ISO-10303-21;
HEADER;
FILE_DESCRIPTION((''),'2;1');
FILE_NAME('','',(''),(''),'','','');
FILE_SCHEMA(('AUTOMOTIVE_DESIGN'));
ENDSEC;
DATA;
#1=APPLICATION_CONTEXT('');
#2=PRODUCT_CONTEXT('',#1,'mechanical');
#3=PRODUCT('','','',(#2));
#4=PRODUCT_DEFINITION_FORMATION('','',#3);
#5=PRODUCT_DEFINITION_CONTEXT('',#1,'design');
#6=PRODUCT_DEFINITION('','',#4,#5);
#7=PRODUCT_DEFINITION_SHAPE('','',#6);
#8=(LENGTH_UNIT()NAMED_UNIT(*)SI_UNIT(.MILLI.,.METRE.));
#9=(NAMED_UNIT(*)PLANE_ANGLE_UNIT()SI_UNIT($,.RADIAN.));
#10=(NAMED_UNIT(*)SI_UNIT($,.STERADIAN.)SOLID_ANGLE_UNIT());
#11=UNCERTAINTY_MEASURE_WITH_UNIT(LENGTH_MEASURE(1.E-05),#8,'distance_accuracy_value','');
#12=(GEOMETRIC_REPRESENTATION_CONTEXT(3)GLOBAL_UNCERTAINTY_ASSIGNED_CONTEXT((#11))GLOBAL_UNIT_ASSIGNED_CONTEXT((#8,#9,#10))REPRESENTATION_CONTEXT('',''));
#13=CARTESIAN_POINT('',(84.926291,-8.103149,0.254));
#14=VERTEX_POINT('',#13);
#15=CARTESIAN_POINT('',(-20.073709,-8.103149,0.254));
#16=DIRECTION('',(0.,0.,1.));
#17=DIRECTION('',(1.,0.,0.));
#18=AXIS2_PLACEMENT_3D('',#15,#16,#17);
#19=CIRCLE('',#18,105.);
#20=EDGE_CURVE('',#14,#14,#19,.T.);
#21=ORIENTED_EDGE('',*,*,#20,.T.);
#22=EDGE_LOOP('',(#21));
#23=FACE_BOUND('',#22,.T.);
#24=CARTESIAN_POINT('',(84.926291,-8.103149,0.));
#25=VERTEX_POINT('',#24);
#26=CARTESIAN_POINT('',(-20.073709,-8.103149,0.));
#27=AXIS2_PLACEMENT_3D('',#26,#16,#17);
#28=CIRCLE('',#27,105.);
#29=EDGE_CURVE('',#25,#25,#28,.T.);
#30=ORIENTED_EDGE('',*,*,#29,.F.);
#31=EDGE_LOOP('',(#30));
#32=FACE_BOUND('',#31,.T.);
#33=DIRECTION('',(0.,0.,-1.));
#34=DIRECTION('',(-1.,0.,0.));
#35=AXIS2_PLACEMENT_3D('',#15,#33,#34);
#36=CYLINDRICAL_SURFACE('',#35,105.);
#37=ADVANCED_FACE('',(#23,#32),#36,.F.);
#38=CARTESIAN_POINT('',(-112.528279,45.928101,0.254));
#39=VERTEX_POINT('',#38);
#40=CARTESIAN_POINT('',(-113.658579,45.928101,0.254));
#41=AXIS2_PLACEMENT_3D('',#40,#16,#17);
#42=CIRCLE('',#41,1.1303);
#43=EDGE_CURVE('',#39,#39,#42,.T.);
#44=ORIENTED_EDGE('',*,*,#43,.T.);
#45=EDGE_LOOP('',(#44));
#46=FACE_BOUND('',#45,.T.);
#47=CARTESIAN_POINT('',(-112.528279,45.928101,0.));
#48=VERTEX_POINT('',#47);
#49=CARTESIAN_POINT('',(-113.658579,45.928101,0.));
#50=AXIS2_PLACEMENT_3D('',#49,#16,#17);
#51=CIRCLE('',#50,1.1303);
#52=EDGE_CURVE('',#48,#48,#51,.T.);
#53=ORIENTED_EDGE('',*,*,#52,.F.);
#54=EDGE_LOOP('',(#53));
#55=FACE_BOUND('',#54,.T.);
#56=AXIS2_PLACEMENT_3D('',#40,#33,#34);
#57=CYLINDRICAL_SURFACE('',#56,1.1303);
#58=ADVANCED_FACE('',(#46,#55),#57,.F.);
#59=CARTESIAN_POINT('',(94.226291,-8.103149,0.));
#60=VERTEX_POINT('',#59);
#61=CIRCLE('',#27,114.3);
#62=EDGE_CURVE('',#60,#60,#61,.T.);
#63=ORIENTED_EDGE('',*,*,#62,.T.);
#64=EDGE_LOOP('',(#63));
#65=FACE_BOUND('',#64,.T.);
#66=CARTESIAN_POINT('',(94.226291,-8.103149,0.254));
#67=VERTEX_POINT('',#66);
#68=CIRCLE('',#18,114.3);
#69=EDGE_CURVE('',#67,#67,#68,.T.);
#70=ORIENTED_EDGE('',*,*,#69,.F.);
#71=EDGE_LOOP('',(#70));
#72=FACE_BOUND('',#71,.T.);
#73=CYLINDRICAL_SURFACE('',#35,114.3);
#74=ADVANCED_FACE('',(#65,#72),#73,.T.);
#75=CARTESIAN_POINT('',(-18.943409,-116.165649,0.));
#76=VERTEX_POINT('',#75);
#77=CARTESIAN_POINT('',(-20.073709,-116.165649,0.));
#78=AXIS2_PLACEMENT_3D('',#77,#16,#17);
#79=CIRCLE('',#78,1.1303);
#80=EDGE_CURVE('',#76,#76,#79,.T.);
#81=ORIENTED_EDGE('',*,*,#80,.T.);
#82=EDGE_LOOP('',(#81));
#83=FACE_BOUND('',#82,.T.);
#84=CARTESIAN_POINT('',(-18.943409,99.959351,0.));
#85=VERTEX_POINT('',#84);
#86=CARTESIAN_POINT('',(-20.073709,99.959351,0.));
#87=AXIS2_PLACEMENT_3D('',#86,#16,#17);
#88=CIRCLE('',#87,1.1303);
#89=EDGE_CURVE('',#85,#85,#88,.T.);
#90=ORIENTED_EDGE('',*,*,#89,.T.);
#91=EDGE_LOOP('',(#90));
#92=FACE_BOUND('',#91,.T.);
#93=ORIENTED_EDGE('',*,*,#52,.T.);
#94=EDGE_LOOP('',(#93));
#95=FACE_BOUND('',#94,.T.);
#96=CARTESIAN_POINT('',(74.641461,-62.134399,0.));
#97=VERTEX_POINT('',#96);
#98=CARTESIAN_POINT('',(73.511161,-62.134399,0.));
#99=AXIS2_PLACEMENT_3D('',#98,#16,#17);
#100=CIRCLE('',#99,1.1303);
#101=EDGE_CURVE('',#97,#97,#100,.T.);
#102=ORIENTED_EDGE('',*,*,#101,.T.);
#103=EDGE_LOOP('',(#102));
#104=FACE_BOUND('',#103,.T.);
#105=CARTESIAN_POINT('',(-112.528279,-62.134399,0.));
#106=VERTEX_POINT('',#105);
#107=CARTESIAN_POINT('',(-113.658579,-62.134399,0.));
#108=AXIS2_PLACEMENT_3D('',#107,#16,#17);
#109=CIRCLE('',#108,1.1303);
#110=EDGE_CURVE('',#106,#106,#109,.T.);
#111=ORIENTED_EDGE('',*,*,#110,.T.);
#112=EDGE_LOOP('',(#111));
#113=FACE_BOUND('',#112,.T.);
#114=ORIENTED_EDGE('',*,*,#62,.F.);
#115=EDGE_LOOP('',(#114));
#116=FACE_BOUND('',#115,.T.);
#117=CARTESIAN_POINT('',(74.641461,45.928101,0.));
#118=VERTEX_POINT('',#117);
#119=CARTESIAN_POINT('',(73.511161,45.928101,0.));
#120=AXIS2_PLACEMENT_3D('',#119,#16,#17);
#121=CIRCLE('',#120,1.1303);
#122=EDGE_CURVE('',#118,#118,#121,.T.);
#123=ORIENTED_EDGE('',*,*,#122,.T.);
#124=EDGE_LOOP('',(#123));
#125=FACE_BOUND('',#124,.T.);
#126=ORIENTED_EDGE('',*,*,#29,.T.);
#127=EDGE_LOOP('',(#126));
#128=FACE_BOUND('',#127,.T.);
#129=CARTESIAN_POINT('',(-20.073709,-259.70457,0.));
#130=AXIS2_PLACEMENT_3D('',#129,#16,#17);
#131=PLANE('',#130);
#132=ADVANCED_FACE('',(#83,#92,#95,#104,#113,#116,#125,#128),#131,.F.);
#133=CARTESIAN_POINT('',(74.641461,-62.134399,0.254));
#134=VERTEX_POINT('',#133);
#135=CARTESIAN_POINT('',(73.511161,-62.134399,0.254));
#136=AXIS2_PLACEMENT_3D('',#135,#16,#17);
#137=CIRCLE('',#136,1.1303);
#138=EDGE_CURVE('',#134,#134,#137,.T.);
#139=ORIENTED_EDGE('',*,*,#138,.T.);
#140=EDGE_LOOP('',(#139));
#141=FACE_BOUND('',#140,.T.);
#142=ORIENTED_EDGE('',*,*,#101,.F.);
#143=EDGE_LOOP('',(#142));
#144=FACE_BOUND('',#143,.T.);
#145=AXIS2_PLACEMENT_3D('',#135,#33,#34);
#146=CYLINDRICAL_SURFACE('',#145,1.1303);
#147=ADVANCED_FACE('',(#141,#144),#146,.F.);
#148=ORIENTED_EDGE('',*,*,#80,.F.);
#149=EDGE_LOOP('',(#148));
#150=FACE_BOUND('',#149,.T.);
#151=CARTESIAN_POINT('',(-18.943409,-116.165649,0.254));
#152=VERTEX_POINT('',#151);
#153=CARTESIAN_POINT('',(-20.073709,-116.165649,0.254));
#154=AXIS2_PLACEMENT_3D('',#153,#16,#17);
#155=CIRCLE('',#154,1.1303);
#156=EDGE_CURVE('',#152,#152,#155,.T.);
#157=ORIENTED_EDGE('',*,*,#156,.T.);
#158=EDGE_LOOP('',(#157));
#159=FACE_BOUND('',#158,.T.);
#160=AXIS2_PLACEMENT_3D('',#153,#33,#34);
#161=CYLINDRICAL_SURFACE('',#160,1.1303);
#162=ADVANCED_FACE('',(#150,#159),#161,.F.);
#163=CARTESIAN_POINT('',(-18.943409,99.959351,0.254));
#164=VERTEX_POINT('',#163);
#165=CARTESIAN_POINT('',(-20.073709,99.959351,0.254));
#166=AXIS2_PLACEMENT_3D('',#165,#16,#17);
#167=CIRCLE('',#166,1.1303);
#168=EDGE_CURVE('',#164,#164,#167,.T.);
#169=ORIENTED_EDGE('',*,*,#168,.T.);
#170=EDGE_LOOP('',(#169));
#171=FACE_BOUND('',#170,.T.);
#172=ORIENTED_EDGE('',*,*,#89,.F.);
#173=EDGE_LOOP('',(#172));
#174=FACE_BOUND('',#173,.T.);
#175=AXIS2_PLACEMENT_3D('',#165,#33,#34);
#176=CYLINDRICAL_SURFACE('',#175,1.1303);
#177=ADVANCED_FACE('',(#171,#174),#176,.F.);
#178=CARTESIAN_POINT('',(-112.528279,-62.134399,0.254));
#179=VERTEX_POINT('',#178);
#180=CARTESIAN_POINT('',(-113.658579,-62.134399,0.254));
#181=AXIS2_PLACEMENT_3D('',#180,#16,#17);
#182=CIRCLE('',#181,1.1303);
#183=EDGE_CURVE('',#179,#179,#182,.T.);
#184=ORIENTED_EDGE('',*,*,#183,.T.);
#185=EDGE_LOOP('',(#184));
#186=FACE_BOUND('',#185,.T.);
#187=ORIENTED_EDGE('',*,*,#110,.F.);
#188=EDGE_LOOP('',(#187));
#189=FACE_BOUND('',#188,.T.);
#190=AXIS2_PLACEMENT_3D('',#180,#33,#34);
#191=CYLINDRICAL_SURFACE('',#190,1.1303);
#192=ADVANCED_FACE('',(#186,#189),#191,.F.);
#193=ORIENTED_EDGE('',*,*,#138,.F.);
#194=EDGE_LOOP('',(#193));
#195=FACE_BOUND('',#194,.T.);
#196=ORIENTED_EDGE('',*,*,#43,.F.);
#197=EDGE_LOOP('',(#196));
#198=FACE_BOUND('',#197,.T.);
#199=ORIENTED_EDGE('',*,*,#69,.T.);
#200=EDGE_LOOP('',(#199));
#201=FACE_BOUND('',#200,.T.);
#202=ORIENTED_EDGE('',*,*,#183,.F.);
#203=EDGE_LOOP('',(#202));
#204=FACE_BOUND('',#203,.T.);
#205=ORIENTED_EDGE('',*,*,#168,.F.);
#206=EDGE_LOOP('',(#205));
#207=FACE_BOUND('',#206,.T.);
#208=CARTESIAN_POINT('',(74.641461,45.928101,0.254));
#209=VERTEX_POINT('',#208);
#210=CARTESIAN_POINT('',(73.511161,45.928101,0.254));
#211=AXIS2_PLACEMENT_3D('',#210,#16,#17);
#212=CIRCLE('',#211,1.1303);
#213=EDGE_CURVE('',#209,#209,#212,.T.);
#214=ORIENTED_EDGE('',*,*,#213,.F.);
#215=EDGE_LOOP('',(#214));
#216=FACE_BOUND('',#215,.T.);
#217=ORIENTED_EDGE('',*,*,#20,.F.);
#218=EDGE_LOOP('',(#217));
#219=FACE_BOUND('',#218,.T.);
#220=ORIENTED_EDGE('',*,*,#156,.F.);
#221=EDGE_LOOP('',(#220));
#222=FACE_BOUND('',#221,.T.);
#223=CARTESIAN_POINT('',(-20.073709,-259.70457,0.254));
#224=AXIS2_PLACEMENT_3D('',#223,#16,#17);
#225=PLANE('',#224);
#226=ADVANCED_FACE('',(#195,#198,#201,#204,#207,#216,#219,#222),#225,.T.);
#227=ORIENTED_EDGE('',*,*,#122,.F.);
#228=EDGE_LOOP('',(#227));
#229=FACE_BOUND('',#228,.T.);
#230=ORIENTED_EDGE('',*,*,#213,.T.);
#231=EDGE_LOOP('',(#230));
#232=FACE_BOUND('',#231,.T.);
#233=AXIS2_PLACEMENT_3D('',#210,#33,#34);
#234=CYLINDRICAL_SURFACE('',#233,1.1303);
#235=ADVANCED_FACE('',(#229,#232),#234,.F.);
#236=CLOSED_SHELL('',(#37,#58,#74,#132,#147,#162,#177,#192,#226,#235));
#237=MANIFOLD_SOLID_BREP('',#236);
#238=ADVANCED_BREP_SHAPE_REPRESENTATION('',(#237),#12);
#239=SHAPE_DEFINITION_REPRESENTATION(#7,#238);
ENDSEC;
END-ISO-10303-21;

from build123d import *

# Parameters (mm, degrees)
SKETCH1_R           = 114.3
SKETCH1_R_2         = 1.1303
SKETCH1_R_3         = 105
BOSS_EXTRUDE1_DEPTH = 0.254


with BuildPart() as part:
    # Sketch1 → Boss-Extrude1 (new body)
    with BuildSketch(Plane.XY):
        with Locations((-20.073709177, -8.103148659)):
            Circle(SKETCH1_R)
        with Locations((-113.658579374, -62.134398659)):
            Circle(SKETCH1_R_2, mode=Mode.SUBTRACT)
        with Locations((-20.073709177, -116.165648659)):
            Circle(SKETCH1_R_2, mode=Mode.SUBTRACT)
        with Locations((73.511161019, -62.134398659)):
            Circle(SKETCH1_R_2, mode=Mode.SUBTRACT)
        with Locations((73.511161019, 45.928101341)):
            Circle(SKETCH1_R_2, mode=Mode.SUBTRACT)
        with Locations((-20.073709177, 99.959351341)):
            Circle(SKETCH1_R_2, mode=Mode.SUBTRACT)
        with Locations((-20.073709177, -8.103148659)):
            Circle(SKETCH1_R_3, mode=Mode.SUBTRACT)
        with Locations((-113.658579374, 45.928101341)):
            Circle(SKETCH1_R_2, mode=Mode.SUBTRACT)
    extrude(amount=BOSS_EXTRUDE1_DEPTH)


solid = part.part
